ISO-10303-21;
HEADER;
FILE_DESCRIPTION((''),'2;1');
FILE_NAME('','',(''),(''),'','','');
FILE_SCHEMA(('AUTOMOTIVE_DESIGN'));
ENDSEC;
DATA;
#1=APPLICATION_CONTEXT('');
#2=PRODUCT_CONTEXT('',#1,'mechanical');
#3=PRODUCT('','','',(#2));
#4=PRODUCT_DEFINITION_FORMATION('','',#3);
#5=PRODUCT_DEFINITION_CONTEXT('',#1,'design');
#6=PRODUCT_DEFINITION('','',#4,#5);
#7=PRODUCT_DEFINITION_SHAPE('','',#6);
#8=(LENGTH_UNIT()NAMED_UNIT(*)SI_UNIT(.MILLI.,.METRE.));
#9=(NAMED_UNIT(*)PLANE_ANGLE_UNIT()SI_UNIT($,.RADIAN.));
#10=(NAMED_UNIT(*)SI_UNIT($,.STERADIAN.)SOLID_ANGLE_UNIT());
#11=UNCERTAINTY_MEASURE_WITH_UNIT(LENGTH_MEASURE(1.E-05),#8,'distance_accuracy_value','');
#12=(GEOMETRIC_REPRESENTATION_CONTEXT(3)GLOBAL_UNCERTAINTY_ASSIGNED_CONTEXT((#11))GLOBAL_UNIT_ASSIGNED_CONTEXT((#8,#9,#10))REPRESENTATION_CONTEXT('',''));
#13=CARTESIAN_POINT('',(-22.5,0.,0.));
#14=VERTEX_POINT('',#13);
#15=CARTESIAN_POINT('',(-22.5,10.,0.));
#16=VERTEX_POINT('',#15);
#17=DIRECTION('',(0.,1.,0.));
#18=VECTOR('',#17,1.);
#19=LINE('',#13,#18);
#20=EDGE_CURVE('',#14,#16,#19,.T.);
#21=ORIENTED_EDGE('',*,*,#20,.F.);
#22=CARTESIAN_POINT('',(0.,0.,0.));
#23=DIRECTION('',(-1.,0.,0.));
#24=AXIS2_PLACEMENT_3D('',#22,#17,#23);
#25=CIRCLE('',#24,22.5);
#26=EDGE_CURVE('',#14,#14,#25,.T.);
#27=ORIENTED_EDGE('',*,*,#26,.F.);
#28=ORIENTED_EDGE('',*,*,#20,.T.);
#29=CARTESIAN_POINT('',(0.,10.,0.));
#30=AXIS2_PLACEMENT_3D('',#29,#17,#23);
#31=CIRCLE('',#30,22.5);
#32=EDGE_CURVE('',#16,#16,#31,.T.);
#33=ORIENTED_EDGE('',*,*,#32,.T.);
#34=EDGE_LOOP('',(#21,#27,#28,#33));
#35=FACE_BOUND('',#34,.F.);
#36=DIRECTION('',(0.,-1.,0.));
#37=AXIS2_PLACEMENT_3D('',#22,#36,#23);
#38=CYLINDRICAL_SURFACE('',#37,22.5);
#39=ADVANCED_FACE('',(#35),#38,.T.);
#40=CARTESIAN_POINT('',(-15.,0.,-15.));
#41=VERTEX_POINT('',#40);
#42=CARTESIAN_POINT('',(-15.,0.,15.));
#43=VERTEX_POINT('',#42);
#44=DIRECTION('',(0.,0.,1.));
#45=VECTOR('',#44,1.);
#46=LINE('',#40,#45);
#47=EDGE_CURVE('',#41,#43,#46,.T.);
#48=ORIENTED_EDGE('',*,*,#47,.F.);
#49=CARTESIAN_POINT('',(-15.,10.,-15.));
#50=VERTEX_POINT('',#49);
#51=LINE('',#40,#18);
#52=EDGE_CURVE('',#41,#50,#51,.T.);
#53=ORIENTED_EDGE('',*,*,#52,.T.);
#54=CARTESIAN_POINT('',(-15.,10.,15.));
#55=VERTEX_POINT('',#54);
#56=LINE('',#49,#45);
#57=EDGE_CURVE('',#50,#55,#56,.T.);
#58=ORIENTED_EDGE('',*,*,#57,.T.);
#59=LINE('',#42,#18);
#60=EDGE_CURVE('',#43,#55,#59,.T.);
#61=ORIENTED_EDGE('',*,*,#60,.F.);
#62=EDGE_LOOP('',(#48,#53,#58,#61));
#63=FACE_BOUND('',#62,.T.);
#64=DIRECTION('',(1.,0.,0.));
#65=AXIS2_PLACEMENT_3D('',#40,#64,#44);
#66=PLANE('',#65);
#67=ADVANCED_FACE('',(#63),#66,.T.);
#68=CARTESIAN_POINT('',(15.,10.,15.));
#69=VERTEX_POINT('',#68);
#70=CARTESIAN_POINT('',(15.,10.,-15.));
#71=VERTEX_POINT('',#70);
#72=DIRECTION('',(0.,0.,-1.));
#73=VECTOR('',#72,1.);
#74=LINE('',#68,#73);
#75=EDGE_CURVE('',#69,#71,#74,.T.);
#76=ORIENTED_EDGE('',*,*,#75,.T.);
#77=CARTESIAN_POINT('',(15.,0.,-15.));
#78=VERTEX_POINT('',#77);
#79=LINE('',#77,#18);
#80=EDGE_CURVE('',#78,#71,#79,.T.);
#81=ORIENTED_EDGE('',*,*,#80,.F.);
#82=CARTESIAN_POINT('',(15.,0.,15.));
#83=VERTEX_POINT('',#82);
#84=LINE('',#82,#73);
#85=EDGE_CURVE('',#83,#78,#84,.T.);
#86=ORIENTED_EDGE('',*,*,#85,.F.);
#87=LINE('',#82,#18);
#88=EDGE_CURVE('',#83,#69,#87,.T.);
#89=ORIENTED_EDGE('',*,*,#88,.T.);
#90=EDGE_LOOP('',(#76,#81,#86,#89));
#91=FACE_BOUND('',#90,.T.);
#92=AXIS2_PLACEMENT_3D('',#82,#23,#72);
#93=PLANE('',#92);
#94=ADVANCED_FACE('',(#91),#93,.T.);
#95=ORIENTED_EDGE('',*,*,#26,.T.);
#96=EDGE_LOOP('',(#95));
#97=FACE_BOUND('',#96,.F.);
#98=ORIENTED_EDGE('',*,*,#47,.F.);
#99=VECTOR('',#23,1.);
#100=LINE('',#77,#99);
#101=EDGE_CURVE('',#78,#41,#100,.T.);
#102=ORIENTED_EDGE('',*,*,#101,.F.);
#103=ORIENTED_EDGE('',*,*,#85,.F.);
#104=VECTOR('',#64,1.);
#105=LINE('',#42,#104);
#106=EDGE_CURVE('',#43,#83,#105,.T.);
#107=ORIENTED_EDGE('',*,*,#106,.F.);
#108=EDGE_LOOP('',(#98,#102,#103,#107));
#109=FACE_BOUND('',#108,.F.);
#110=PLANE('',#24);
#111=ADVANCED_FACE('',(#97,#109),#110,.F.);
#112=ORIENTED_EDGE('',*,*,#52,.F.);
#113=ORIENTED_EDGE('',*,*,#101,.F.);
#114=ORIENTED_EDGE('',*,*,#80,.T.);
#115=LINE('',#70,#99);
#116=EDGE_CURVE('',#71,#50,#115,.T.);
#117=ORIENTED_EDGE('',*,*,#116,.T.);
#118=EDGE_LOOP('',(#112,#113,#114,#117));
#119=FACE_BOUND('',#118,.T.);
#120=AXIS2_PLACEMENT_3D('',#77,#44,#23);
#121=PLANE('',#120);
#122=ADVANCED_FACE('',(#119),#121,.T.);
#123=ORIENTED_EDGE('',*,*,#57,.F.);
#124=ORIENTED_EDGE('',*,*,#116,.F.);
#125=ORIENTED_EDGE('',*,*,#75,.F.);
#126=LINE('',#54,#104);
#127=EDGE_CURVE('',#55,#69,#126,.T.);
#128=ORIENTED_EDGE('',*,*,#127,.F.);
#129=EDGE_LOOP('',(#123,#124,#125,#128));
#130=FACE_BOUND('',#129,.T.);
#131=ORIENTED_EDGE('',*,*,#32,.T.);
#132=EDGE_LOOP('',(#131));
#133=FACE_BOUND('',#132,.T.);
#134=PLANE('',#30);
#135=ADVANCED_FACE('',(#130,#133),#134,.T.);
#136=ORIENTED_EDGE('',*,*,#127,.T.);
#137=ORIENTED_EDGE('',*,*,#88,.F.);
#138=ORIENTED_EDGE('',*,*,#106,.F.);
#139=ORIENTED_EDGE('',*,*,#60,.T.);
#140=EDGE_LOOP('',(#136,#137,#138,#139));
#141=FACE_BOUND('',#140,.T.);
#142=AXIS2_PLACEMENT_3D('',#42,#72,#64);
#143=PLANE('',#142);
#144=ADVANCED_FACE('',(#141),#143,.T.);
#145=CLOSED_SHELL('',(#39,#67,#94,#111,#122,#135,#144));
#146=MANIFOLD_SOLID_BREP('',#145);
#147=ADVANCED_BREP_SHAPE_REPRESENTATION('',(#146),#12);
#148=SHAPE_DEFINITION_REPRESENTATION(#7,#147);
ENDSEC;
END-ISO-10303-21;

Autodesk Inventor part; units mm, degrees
ref_plane "YZ Plane" through (0, 0, 0) normal (1, 0, 0) x (0, 1, 0)
ref_plane "XZ Plane" through (0, 0, 0) normal (0, 1, 0) x (-1, 0, 0)
ref_plane "XY Plane" through (0, 0, 0) normal (0, 0, 1) x (1, 0, 0)
sketch "Sketch1" plane through (0, 0, 0) normal (0, 1, 0) x (-1, 0, 0)
  line L0 (15, 15) -> (-15, 15)
  line L1 (-15, 15) -> (-15, -15)
  line L2 (-15, -15) -> (15, -15)
  line L3 (15, -15) -> (15, 15)
  line L4 (15, 15) -> (-15, -15) construction
  line L5 (-15, 15) -> (15, -15) construction
  circle A0 centre (0, 0) radius 22.5
  dimension "d0" = 30
  dimension "d1" = 30
  dimension "d2" = 45
extrude "Extrusion1" add sketch "Sketch1" along normal blind 10
properties part number "placeholderjoint"
